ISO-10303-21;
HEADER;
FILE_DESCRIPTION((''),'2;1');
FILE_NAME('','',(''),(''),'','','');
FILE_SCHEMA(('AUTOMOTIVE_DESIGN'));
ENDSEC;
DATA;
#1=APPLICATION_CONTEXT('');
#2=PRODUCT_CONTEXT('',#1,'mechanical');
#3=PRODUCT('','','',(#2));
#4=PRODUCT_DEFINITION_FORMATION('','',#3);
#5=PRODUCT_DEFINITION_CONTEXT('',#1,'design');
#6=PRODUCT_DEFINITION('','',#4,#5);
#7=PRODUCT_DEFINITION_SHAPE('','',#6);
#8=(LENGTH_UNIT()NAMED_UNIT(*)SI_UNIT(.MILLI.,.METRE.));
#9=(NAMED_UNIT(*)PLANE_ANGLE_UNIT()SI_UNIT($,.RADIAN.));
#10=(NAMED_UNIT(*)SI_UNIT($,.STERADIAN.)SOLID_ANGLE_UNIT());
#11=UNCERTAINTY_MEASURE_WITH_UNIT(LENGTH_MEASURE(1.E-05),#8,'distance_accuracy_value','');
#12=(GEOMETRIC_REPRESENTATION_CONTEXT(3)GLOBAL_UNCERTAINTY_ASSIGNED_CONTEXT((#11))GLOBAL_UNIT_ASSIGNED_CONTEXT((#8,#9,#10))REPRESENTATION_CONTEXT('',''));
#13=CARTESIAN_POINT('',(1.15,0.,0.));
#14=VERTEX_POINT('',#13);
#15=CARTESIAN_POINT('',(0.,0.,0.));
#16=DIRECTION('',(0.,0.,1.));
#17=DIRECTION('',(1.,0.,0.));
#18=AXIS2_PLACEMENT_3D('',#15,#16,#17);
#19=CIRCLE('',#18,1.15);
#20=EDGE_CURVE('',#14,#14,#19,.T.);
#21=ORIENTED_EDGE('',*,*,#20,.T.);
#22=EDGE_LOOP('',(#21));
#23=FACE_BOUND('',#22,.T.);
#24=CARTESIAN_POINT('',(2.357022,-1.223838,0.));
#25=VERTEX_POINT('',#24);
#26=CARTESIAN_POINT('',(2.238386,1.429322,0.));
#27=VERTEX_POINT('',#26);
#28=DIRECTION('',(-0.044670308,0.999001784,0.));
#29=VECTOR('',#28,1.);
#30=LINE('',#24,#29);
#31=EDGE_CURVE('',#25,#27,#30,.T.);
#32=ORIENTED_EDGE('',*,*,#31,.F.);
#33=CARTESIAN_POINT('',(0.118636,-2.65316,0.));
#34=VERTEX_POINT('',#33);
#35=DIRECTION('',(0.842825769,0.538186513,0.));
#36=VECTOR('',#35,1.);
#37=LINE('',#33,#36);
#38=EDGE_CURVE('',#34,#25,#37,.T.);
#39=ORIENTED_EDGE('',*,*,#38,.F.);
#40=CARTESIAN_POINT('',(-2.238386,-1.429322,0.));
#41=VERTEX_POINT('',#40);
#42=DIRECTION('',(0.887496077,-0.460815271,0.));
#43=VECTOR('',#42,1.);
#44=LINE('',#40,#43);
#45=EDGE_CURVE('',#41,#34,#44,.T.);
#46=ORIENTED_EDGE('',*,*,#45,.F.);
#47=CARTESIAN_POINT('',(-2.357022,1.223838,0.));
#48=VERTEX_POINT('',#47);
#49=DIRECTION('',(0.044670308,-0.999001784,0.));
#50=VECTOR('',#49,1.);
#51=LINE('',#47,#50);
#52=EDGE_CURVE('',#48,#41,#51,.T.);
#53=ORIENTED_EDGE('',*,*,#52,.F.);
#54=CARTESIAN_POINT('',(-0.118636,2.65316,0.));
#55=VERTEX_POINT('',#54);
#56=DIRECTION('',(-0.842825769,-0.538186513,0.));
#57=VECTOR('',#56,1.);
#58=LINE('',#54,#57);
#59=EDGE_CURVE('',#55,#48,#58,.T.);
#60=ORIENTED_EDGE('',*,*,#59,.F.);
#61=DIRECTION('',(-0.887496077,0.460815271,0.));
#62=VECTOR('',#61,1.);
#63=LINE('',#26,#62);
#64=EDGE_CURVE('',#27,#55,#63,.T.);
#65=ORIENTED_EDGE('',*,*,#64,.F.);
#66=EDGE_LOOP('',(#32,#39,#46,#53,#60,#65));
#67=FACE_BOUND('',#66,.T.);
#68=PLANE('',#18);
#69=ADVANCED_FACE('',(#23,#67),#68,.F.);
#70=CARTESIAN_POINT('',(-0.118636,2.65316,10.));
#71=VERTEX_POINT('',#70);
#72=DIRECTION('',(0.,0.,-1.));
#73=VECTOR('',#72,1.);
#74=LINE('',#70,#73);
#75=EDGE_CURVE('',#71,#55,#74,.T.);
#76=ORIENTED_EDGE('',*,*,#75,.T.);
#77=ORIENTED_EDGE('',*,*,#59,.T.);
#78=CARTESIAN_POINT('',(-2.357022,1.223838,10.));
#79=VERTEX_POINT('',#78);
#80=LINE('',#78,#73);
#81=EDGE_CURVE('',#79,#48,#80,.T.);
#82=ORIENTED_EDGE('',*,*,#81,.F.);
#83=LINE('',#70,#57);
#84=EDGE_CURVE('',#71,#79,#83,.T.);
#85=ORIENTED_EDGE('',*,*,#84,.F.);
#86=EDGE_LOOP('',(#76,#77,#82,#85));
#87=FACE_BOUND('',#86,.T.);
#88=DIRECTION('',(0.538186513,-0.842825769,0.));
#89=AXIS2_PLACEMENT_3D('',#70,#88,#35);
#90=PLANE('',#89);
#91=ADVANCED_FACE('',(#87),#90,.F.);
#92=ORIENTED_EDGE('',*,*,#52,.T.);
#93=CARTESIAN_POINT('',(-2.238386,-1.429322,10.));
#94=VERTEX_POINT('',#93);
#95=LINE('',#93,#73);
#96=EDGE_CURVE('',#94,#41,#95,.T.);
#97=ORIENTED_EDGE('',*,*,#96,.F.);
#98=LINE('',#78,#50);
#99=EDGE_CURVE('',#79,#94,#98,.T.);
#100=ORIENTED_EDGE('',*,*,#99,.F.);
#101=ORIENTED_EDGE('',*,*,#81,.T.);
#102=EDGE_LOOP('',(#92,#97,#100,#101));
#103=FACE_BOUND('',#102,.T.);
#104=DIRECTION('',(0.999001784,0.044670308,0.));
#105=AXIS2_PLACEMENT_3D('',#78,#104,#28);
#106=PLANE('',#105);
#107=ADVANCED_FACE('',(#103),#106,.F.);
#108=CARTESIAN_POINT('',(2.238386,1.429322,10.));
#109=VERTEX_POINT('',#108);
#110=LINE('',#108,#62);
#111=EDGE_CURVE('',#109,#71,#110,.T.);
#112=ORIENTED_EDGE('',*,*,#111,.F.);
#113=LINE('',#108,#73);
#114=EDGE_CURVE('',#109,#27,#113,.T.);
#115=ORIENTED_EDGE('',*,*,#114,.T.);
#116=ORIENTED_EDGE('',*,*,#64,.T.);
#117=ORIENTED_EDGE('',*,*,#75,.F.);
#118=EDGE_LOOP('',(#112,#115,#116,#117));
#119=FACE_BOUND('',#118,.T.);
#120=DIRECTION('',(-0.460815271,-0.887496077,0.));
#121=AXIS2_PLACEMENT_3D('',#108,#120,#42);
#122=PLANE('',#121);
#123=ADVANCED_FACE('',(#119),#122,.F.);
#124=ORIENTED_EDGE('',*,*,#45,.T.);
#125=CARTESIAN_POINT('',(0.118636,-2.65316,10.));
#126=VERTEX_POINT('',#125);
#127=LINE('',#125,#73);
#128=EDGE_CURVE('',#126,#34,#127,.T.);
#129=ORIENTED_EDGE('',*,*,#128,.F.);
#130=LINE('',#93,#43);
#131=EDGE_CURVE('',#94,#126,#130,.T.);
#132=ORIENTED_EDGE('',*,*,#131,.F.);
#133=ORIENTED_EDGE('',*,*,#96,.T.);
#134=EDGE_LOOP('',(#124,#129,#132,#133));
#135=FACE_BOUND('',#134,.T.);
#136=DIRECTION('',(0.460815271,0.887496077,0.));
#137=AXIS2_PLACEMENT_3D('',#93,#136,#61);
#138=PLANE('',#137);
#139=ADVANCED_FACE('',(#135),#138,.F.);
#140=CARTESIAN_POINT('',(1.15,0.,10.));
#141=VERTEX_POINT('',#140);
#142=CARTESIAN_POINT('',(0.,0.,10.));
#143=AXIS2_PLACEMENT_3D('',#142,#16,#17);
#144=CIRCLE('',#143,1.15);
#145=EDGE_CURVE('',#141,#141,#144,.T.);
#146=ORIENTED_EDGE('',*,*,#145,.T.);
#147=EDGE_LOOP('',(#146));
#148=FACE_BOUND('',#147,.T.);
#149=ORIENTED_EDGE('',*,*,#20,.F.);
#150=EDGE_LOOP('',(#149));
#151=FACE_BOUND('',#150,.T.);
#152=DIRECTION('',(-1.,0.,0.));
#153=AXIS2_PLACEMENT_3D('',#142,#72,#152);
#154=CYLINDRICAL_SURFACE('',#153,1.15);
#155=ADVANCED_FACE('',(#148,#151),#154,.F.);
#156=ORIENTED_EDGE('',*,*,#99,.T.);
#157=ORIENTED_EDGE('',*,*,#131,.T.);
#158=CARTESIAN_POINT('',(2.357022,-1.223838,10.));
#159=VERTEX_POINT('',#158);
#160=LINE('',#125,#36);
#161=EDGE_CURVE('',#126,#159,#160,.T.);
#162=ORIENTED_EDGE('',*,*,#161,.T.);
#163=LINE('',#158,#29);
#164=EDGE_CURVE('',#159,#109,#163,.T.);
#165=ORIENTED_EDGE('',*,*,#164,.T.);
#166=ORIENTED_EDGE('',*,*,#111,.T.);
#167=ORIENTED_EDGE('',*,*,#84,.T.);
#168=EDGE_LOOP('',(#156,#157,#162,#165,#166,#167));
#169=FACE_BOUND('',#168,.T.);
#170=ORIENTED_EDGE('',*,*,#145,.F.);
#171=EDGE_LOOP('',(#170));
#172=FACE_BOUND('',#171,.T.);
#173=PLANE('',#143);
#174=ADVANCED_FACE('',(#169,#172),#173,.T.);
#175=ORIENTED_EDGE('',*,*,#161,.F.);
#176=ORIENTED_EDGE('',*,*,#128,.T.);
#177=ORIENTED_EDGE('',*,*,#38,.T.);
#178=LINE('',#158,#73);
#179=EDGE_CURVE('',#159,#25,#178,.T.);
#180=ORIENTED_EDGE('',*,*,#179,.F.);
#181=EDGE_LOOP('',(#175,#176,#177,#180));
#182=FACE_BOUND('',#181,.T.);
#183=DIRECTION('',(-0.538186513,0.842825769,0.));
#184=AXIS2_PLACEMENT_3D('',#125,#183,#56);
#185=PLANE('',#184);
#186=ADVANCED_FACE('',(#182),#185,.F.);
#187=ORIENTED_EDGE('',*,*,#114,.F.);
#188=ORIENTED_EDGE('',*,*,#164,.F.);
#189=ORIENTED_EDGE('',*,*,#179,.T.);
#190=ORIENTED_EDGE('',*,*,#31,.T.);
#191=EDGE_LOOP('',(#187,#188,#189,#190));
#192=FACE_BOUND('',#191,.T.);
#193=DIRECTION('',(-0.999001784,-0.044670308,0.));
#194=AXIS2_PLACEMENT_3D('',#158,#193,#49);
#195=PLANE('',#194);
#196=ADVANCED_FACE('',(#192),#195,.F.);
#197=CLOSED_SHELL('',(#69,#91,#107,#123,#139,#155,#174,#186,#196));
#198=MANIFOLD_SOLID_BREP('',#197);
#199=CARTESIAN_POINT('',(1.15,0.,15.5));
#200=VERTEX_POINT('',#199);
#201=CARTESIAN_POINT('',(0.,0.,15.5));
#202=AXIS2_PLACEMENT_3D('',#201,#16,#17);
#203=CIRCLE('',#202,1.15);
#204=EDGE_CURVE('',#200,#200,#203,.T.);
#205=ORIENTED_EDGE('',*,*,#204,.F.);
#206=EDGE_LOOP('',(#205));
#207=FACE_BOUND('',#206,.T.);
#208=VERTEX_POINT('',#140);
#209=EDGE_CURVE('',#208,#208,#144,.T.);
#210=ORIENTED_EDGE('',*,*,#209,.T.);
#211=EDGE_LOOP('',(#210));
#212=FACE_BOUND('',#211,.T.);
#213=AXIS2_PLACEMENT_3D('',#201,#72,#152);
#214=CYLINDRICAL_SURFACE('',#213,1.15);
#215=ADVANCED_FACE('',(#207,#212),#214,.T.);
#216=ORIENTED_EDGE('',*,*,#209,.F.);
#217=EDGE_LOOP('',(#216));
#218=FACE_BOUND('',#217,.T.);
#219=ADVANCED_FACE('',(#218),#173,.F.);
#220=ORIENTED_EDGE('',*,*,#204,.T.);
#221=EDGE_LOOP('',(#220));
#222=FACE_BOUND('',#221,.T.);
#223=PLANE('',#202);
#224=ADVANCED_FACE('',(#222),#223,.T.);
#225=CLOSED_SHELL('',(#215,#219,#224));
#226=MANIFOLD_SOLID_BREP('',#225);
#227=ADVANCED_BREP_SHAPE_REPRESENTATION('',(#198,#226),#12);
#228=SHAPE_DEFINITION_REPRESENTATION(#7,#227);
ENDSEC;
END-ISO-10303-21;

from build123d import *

# Parameters (mm, degrees)
SKETCH1_R           = 1.15
BOSS_EXTRUDE1_DEPTH = 10
SKETCH3_R           = 1.15
BOSS_EXTRUDE2_DEPTH = 5.5


with BuildPart() as part:
    # Sketch1 → Boss-Extrude1 (new body)
    with BuildSketch(Plane.XY):
        Polygon((2.357022055, -1.223838375), (2.23838615, 1.429321789), (-0.118635905, 2.653160164), (-2.357022055, 1.223838375), (-2.23838615, -1.429321789), (0.118635905, -2.653160164), align=None)
        Circle(SKETCH1_R, mode=Mode.SUBTRACT)
    extrude(amount=BOSS_EXTRUDE1_DEPTH)


with BuildPart() as body_2:
    # Sketch3 → Boss-Extrude2 (new body)
    with BuildSketch(Plane.XY.offset(10)):
        Circle(SKETCH3_R)
    extrude(amount=BOSS_EXTRUDE2_DEPTH)


solid = Compound([part.part, body_2.part])
